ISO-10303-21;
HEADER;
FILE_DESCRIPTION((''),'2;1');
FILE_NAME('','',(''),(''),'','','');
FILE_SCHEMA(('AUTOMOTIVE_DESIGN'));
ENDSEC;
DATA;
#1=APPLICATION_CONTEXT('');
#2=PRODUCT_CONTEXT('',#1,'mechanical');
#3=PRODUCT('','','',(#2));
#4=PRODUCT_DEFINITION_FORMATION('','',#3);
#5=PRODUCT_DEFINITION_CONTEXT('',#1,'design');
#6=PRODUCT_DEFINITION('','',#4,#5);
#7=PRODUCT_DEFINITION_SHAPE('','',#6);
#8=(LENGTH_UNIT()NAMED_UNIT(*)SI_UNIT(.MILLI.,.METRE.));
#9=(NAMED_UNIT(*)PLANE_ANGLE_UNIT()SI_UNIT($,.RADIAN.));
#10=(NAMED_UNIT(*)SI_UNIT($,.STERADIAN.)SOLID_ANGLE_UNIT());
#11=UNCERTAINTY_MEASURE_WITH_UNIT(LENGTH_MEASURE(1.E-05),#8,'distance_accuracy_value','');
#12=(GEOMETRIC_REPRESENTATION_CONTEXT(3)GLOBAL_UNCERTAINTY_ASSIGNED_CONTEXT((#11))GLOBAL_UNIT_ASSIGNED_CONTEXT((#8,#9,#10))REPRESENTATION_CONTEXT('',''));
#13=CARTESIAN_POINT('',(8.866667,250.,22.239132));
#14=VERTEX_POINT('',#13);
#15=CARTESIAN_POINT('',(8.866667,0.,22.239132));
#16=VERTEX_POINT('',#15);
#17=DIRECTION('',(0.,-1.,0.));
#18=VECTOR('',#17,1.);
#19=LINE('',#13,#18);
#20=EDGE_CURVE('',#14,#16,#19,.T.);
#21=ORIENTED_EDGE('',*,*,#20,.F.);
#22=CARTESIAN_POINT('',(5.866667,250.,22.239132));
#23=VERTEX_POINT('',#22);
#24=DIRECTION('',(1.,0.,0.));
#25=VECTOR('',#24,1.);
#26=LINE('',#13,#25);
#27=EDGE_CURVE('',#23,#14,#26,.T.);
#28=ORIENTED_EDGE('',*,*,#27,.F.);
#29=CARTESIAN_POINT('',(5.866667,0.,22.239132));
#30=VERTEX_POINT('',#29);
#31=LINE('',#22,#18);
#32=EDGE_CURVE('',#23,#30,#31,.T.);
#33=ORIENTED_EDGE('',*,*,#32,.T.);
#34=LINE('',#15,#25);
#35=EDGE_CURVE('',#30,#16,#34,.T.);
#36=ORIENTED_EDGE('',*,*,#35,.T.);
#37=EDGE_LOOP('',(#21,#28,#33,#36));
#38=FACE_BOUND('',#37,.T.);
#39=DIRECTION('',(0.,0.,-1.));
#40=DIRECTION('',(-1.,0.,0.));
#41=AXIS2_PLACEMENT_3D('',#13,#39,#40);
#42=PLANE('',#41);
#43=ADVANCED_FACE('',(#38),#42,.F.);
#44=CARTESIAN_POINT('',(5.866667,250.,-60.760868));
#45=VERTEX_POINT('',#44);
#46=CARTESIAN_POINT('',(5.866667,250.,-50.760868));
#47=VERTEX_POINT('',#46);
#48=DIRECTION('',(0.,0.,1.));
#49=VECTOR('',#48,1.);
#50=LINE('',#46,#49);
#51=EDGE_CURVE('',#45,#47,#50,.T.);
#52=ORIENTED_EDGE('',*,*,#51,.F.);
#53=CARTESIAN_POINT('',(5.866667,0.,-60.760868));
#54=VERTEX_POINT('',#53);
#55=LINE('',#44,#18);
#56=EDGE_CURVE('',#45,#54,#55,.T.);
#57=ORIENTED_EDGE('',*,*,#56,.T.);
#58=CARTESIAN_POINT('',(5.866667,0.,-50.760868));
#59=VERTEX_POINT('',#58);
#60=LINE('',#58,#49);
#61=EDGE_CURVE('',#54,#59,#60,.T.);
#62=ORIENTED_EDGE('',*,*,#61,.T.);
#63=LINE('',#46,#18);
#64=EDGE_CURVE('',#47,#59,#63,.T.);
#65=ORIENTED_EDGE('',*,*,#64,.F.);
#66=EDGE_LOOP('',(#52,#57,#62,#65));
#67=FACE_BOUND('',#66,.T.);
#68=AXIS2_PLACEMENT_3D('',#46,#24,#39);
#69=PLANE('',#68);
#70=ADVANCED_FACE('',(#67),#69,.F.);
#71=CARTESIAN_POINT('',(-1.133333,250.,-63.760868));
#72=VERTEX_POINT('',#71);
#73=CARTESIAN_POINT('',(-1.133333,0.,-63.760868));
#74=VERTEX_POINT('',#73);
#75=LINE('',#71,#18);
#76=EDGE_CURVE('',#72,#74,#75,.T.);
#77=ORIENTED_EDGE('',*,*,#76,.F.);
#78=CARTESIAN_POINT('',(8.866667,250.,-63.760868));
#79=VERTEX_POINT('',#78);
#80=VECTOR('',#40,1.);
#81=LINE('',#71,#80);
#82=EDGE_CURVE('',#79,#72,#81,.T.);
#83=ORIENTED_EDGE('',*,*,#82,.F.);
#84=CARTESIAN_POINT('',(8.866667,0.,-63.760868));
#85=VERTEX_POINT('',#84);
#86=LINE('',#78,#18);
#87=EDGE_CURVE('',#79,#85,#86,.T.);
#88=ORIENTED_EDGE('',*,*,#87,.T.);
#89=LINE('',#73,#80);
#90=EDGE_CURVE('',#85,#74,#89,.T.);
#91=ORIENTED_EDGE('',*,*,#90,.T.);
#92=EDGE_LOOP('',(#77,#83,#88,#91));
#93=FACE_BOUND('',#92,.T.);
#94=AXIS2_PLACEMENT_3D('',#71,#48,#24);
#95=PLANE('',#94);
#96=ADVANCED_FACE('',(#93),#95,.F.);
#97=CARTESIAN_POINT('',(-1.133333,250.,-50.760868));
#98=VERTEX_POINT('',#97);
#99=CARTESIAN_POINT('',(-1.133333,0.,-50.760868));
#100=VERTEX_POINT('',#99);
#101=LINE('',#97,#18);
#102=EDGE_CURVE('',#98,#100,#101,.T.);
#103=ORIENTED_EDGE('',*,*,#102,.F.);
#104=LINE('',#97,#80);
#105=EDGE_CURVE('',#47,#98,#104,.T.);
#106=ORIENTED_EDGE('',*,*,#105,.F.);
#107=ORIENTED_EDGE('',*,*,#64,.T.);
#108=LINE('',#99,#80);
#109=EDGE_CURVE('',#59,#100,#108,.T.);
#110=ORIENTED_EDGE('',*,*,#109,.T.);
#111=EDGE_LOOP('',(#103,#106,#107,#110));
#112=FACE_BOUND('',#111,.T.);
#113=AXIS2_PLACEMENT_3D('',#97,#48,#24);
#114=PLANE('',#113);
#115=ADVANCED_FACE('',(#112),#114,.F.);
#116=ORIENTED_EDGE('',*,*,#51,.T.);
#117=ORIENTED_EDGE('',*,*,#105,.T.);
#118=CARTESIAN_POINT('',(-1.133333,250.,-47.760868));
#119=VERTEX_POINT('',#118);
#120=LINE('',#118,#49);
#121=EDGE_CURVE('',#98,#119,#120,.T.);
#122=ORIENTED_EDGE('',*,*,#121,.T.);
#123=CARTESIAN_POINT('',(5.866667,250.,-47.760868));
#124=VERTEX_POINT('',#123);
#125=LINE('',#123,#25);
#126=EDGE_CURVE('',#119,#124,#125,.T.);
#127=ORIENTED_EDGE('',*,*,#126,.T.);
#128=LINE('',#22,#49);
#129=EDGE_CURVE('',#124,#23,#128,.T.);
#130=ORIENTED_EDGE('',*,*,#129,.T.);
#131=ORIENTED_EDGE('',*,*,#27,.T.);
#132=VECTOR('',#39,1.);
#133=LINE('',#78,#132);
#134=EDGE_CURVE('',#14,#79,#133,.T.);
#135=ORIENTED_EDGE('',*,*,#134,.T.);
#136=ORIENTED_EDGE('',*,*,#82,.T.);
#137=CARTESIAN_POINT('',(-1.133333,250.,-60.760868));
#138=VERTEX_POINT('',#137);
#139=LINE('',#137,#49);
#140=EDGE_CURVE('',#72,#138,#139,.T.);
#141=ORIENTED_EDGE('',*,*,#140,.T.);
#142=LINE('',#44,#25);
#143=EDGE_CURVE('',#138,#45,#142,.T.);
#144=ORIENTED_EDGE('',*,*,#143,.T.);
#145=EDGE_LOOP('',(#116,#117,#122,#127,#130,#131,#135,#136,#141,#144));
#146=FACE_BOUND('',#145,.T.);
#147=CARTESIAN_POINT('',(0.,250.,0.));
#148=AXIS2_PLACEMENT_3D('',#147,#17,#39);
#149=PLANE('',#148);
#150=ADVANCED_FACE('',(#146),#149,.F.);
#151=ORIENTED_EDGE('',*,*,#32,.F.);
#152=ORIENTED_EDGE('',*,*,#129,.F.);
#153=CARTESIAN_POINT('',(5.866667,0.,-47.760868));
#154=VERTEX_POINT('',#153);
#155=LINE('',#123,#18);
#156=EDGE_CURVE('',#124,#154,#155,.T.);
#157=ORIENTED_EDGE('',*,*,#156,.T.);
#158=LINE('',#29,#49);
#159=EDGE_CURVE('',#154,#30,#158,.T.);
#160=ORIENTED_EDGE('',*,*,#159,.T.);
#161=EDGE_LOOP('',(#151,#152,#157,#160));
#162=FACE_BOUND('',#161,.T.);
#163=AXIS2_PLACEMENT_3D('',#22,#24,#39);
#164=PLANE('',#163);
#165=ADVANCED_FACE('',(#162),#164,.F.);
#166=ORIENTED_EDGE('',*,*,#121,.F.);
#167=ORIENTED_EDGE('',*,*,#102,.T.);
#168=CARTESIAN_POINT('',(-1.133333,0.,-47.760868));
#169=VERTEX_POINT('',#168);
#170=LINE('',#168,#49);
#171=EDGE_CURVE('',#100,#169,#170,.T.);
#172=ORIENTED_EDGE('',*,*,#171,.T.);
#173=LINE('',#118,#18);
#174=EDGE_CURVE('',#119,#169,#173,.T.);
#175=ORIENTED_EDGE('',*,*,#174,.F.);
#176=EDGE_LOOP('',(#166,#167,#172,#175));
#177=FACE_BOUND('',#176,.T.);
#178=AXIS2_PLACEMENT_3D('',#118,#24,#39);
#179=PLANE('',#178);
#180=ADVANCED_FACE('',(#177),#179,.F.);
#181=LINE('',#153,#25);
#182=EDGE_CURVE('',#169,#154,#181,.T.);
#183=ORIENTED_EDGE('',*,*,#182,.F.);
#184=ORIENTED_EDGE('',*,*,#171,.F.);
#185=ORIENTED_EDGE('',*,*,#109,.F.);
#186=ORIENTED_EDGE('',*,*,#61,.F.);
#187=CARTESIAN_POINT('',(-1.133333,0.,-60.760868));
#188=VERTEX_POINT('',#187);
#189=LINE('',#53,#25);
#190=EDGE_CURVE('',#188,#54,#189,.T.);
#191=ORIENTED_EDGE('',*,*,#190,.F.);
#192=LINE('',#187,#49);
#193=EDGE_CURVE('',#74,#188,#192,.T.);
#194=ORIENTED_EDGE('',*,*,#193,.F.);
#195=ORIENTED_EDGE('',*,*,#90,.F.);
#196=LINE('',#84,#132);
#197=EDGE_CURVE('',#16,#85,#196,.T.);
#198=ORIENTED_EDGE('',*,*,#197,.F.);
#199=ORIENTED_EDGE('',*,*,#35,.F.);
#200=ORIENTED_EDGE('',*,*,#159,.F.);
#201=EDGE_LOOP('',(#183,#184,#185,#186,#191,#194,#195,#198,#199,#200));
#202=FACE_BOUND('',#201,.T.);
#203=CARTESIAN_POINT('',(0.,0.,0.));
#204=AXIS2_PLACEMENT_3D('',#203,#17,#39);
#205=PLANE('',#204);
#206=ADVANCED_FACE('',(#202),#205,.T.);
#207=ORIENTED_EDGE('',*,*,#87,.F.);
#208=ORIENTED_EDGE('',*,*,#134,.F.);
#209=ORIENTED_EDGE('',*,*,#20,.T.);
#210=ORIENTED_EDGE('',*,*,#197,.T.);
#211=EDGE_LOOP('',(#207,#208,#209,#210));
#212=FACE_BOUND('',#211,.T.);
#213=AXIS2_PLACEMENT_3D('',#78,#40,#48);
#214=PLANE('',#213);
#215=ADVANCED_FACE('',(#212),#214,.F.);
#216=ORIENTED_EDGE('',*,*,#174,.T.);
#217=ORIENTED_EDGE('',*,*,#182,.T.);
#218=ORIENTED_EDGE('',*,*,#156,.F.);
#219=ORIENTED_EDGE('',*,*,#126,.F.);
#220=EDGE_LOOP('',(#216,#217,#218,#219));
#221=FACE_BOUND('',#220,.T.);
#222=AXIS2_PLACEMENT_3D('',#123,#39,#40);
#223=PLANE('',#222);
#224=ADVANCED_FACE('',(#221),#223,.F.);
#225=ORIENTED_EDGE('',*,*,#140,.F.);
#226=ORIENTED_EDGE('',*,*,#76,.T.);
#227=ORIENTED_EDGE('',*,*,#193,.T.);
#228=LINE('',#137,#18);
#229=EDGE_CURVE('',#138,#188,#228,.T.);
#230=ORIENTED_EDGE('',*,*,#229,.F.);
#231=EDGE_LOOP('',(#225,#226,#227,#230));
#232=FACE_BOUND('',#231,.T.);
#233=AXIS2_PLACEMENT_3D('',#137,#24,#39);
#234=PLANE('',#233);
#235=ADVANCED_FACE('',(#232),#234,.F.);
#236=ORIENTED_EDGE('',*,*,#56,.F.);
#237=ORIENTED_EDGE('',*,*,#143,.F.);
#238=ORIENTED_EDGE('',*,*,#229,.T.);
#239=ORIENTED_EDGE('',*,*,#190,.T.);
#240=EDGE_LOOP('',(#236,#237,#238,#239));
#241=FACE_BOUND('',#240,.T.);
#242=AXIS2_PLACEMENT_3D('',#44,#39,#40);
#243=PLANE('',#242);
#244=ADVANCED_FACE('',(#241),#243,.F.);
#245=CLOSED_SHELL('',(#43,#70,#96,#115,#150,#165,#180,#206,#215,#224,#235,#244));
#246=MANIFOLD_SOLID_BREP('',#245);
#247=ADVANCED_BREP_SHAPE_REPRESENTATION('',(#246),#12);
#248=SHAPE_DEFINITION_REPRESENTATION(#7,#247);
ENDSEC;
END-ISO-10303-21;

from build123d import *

# Parameters (mm, degrees)
BOSS_EXTRUDE1_DEPTH = 250


with BuildPart() as part:
    # Sketch2 → Boss-Extrude1 (new body)
    with BuildSketch(Plane(origin=(0, 0, 0), x_dir=(1, 0, 0), z_dir=(0, 1, 0))):
        Polygon((-1.133333333, 63.760867802), (8.866666667, 63.760867802), (8.866666667, -22.239132198), (5.866666667, -22.239132198), (5.866666667, 47.760867802), (-1.133333333, 47.760867802), (-1.133333333, 50.760867802), (5.866666667, 50.760867802), (5.866666667, 60.760867802), (-1.133333333, 60.760867802), align=None)
    extrude(amount=BOSS_EXTRUDE1_DEPTH)


solid = part.part
